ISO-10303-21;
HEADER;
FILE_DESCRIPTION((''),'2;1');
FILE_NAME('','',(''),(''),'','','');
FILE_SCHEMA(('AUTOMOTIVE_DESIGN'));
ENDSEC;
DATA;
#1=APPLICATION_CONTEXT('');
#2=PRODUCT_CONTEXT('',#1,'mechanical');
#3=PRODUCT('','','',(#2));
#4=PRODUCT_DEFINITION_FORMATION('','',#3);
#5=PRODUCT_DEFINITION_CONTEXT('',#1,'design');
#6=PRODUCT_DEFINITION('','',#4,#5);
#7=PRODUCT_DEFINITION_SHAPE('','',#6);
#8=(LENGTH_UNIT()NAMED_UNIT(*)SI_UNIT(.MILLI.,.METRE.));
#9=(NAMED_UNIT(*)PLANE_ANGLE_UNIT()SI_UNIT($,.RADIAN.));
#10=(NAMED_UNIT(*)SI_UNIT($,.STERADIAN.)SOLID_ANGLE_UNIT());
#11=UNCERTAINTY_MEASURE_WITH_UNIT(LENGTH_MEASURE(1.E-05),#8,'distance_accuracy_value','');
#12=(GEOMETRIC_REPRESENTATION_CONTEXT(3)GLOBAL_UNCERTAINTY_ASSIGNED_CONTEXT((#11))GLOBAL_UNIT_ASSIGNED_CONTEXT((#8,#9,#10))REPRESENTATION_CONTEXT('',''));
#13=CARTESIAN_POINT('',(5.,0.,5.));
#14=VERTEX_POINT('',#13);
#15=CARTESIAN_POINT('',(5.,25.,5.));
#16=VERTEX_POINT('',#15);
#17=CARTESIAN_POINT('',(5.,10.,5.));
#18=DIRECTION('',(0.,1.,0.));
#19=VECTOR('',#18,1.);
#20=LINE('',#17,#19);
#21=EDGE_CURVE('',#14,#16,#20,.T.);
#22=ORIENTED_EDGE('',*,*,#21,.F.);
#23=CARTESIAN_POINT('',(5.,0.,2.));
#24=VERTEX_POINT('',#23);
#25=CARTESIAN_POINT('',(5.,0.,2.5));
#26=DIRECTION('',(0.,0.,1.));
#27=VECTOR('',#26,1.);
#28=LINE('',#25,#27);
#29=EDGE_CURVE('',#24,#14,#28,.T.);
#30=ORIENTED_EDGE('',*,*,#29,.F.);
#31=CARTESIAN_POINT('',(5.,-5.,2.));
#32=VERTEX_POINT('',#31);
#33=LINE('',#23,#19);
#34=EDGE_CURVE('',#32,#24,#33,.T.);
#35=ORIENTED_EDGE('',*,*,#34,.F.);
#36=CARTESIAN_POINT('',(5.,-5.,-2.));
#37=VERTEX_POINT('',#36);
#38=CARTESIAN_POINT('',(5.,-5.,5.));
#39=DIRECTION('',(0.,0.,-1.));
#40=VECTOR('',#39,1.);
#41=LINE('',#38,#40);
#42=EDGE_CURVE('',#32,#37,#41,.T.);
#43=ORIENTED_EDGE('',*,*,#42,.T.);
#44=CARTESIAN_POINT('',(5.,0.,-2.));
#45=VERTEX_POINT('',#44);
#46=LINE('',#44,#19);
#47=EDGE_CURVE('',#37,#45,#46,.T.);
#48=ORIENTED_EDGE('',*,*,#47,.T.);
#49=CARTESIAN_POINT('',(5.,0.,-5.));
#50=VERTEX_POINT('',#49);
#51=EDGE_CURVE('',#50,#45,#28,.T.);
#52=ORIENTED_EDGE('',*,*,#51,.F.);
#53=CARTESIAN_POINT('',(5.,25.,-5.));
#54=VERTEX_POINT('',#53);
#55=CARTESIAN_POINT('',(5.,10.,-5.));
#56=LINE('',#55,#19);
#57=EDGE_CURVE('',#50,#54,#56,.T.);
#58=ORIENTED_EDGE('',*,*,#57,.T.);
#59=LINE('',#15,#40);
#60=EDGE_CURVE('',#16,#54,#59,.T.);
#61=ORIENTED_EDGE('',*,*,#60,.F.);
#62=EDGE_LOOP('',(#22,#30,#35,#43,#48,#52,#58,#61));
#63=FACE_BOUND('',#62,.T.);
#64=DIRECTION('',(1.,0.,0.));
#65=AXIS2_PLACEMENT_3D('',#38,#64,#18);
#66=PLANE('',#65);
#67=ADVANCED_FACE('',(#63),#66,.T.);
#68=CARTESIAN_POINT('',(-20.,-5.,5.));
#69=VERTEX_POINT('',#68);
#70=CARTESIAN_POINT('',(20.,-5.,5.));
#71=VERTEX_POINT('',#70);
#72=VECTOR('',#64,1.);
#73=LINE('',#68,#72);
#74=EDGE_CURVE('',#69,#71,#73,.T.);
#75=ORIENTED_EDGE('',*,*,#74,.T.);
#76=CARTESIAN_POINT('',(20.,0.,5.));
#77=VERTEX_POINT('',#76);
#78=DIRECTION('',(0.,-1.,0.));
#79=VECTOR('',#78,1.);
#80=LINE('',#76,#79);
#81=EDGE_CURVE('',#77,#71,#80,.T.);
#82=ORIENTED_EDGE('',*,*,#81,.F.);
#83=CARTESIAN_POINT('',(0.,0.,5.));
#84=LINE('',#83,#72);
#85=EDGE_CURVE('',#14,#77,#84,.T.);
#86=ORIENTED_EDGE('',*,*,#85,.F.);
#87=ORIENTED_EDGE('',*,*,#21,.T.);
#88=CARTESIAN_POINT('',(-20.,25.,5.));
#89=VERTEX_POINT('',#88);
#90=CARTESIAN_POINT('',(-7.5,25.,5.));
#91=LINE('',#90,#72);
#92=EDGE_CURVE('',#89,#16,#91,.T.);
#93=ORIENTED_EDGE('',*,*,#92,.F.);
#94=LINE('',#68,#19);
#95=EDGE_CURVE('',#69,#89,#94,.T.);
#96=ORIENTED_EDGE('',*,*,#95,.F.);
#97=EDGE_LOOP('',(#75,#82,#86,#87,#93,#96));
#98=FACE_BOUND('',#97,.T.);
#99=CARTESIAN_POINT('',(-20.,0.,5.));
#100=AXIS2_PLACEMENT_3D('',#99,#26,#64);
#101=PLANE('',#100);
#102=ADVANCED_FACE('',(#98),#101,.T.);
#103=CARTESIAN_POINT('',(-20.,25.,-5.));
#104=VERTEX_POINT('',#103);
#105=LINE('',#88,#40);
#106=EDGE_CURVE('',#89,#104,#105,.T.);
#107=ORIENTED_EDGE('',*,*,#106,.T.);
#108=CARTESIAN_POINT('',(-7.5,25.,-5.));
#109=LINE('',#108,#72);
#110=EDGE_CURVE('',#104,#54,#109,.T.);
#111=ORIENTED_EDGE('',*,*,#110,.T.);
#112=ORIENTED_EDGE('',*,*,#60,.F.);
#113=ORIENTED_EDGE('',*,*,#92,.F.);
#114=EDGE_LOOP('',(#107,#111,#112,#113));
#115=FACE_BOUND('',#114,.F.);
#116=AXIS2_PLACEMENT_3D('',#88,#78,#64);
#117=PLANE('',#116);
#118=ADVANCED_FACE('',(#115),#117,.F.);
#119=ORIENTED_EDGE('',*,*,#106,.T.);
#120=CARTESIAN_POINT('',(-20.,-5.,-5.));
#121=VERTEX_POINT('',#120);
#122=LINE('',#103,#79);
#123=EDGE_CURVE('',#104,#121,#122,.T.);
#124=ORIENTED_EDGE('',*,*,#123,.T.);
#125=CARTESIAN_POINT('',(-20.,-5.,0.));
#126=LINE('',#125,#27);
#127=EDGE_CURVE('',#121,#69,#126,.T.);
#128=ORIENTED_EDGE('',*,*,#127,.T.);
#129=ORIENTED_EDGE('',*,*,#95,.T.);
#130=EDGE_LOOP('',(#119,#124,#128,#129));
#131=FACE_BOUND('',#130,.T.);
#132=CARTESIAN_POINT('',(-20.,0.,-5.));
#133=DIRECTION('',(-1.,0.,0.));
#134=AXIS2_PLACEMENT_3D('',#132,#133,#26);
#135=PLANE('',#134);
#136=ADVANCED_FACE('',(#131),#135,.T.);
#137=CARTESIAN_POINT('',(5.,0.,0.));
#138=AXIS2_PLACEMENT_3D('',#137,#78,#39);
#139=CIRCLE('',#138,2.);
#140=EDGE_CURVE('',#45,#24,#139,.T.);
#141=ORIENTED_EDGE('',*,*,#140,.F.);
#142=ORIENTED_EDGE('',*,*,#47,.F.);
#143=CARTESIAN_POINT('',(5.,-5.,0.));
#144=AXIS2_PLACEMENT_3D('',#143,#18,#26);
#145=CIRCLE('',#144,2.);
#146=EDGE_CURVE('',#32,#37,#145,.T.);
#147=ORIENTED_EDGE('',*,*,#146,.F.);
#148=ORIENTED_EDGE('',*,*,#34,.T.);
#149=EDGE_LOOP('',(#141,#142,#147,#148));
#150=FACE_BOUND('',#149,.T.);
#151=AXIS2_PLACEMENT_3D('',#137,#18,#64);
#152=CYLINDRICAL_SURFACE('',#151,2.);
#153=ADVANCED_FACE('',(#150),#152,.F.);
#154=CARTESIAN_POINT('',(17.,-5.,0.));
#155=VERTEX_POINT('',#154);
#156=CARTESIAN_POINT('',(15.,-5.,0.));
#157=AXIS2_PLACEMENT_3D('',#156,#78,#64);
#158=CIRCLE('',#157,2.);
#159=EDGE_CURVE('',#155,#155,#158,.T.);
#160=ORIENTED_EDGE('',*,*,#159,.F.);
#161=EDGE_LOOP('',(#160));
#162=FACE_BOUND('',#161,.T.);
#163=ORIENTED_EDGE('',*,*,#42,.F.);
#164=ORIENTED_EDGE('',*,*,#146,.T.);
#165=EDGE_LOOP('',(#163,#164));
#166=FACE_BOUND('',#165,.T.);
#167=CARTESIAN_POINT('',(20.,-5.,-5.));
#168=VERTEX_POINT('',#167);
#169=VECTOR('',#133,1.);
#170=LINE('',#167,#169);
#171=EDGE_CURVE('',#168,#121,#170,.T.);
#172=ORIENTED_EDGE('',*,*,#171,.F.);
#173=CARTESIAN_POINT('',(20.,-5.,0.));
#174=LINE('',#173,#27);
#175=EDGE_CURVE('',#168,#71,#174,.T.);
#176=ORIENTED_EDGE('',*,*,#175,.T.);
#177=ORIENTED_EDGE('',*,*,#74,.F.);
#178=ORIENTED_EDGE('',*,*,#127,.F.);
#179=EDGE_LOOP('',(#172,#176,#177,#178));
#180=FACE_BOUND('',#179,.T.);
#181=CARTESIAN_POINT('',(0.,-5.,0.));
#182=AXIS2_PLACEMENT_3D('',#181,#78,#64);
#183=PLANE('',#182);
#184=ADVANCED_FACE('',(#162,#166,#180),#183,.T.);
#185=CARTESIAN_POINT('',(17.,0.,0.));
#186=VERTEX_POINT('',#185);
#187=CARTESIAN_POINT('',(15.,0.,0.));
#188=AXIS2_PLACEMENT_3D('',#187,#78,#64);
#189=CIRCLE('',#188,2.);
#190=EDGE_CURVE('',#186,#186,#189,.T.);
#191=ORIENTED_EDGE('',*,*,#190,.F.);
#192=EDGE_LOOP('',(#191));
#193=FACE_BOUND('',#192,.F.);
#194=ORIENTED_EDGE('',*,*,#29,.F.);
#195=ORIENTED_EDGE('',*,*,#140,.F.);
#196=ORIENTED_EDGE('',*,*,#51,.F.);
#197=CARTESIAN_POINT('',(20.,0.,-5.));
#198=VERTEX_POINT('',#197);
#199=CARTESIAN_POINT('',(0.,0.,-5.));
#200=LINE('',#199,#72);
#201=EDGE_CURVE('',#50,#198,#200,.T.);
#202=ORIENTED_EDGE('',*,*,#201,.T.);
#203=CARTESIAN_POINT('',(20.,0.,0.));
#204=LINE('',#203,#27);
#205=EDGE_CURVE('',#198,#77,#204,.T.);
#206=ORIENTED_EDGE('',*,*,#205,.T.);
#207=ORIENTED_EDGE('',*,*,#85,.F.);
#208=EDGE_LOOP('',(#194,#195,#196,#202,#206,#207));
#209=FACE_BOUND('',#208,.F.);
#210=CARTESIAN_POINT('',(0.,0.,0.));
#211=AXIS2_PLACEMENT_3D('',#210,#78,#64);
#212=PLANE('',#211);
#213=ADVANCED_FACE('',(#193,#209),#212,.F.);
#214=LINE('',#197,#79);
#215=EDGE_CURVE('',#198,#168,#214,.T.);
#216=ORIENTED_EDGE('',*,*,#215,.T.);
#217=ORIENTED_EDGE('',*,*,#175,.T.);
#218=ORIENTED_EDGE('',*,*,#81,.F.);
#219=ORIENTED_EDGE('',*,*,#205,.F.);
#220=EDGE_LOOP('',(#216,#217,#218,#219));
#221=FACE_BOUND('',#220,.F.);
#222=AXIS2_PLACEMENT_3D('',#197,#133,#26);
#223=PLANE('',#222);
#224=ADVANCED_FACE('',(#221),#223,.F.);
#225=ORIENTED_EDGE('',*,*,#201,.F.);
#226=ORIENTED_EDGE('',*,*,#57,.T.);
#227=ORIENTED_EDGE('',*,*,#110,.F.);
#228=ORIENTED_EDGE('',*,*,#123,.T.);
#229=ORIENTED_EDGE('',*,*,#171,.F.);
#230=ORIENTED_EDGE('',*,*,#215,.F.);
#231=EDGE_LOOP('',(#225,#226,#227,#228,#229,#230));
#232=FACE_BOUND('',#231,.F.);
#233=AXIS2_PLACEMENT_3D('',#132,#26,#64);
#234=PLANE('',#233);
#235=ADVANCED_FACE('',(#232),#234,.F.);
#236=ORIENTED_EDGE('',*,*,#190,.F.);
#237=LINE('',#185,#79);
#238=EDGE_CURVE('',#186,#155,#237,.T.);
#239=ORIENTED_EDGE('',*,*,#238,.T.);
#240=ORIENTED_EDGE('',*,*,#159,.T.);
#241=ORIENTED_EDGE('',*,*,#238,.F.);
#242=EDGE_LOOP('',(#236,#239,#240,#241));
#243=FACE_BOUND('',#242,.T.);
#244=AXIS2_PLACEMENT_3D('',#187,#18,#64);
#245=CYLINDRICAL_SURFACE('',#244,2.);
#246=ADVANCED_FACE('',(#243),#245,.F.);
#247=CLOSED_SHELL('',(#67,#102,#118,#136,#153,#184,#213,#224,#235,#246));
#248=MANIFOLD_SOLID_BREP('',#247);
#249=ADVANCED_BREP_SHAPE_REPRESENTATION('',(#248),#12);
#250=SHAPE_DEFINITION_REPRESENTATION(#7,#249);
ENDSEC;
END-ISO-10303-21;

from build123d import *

# Parameters (mm, degrees)
F0_W     = 40
F0_H     = 10
F0_R     = 2
F1_DEPTH = 5
F2_W     = 25
F2_H     = 30
F3_DEPTH = 10


with BuildPart() as f1:
    # F0 (on Front) → F1 (new body)
    with BuildSketch(Plane.XZ):
        Rectangle(F0_W, F0_H)
        with Locations((5, 0)):
            Circle(F0_R, mode=Mode.SUBTRACT)
        with Locations((15, 0)):
            Circle(F0_R, mode=Mode.SUBTRACT)
    extrude(amount=F1_DEPTH)

    # F2 (on face) → F3 (join)
    with BuildSketch(Plane.XY.offset(5)):
        with Locations((-7.5, 10)):
            Rectangle(F2_W, F2_H)
    extrude(amount=-F3_DEPTH)


solid = f1.part
